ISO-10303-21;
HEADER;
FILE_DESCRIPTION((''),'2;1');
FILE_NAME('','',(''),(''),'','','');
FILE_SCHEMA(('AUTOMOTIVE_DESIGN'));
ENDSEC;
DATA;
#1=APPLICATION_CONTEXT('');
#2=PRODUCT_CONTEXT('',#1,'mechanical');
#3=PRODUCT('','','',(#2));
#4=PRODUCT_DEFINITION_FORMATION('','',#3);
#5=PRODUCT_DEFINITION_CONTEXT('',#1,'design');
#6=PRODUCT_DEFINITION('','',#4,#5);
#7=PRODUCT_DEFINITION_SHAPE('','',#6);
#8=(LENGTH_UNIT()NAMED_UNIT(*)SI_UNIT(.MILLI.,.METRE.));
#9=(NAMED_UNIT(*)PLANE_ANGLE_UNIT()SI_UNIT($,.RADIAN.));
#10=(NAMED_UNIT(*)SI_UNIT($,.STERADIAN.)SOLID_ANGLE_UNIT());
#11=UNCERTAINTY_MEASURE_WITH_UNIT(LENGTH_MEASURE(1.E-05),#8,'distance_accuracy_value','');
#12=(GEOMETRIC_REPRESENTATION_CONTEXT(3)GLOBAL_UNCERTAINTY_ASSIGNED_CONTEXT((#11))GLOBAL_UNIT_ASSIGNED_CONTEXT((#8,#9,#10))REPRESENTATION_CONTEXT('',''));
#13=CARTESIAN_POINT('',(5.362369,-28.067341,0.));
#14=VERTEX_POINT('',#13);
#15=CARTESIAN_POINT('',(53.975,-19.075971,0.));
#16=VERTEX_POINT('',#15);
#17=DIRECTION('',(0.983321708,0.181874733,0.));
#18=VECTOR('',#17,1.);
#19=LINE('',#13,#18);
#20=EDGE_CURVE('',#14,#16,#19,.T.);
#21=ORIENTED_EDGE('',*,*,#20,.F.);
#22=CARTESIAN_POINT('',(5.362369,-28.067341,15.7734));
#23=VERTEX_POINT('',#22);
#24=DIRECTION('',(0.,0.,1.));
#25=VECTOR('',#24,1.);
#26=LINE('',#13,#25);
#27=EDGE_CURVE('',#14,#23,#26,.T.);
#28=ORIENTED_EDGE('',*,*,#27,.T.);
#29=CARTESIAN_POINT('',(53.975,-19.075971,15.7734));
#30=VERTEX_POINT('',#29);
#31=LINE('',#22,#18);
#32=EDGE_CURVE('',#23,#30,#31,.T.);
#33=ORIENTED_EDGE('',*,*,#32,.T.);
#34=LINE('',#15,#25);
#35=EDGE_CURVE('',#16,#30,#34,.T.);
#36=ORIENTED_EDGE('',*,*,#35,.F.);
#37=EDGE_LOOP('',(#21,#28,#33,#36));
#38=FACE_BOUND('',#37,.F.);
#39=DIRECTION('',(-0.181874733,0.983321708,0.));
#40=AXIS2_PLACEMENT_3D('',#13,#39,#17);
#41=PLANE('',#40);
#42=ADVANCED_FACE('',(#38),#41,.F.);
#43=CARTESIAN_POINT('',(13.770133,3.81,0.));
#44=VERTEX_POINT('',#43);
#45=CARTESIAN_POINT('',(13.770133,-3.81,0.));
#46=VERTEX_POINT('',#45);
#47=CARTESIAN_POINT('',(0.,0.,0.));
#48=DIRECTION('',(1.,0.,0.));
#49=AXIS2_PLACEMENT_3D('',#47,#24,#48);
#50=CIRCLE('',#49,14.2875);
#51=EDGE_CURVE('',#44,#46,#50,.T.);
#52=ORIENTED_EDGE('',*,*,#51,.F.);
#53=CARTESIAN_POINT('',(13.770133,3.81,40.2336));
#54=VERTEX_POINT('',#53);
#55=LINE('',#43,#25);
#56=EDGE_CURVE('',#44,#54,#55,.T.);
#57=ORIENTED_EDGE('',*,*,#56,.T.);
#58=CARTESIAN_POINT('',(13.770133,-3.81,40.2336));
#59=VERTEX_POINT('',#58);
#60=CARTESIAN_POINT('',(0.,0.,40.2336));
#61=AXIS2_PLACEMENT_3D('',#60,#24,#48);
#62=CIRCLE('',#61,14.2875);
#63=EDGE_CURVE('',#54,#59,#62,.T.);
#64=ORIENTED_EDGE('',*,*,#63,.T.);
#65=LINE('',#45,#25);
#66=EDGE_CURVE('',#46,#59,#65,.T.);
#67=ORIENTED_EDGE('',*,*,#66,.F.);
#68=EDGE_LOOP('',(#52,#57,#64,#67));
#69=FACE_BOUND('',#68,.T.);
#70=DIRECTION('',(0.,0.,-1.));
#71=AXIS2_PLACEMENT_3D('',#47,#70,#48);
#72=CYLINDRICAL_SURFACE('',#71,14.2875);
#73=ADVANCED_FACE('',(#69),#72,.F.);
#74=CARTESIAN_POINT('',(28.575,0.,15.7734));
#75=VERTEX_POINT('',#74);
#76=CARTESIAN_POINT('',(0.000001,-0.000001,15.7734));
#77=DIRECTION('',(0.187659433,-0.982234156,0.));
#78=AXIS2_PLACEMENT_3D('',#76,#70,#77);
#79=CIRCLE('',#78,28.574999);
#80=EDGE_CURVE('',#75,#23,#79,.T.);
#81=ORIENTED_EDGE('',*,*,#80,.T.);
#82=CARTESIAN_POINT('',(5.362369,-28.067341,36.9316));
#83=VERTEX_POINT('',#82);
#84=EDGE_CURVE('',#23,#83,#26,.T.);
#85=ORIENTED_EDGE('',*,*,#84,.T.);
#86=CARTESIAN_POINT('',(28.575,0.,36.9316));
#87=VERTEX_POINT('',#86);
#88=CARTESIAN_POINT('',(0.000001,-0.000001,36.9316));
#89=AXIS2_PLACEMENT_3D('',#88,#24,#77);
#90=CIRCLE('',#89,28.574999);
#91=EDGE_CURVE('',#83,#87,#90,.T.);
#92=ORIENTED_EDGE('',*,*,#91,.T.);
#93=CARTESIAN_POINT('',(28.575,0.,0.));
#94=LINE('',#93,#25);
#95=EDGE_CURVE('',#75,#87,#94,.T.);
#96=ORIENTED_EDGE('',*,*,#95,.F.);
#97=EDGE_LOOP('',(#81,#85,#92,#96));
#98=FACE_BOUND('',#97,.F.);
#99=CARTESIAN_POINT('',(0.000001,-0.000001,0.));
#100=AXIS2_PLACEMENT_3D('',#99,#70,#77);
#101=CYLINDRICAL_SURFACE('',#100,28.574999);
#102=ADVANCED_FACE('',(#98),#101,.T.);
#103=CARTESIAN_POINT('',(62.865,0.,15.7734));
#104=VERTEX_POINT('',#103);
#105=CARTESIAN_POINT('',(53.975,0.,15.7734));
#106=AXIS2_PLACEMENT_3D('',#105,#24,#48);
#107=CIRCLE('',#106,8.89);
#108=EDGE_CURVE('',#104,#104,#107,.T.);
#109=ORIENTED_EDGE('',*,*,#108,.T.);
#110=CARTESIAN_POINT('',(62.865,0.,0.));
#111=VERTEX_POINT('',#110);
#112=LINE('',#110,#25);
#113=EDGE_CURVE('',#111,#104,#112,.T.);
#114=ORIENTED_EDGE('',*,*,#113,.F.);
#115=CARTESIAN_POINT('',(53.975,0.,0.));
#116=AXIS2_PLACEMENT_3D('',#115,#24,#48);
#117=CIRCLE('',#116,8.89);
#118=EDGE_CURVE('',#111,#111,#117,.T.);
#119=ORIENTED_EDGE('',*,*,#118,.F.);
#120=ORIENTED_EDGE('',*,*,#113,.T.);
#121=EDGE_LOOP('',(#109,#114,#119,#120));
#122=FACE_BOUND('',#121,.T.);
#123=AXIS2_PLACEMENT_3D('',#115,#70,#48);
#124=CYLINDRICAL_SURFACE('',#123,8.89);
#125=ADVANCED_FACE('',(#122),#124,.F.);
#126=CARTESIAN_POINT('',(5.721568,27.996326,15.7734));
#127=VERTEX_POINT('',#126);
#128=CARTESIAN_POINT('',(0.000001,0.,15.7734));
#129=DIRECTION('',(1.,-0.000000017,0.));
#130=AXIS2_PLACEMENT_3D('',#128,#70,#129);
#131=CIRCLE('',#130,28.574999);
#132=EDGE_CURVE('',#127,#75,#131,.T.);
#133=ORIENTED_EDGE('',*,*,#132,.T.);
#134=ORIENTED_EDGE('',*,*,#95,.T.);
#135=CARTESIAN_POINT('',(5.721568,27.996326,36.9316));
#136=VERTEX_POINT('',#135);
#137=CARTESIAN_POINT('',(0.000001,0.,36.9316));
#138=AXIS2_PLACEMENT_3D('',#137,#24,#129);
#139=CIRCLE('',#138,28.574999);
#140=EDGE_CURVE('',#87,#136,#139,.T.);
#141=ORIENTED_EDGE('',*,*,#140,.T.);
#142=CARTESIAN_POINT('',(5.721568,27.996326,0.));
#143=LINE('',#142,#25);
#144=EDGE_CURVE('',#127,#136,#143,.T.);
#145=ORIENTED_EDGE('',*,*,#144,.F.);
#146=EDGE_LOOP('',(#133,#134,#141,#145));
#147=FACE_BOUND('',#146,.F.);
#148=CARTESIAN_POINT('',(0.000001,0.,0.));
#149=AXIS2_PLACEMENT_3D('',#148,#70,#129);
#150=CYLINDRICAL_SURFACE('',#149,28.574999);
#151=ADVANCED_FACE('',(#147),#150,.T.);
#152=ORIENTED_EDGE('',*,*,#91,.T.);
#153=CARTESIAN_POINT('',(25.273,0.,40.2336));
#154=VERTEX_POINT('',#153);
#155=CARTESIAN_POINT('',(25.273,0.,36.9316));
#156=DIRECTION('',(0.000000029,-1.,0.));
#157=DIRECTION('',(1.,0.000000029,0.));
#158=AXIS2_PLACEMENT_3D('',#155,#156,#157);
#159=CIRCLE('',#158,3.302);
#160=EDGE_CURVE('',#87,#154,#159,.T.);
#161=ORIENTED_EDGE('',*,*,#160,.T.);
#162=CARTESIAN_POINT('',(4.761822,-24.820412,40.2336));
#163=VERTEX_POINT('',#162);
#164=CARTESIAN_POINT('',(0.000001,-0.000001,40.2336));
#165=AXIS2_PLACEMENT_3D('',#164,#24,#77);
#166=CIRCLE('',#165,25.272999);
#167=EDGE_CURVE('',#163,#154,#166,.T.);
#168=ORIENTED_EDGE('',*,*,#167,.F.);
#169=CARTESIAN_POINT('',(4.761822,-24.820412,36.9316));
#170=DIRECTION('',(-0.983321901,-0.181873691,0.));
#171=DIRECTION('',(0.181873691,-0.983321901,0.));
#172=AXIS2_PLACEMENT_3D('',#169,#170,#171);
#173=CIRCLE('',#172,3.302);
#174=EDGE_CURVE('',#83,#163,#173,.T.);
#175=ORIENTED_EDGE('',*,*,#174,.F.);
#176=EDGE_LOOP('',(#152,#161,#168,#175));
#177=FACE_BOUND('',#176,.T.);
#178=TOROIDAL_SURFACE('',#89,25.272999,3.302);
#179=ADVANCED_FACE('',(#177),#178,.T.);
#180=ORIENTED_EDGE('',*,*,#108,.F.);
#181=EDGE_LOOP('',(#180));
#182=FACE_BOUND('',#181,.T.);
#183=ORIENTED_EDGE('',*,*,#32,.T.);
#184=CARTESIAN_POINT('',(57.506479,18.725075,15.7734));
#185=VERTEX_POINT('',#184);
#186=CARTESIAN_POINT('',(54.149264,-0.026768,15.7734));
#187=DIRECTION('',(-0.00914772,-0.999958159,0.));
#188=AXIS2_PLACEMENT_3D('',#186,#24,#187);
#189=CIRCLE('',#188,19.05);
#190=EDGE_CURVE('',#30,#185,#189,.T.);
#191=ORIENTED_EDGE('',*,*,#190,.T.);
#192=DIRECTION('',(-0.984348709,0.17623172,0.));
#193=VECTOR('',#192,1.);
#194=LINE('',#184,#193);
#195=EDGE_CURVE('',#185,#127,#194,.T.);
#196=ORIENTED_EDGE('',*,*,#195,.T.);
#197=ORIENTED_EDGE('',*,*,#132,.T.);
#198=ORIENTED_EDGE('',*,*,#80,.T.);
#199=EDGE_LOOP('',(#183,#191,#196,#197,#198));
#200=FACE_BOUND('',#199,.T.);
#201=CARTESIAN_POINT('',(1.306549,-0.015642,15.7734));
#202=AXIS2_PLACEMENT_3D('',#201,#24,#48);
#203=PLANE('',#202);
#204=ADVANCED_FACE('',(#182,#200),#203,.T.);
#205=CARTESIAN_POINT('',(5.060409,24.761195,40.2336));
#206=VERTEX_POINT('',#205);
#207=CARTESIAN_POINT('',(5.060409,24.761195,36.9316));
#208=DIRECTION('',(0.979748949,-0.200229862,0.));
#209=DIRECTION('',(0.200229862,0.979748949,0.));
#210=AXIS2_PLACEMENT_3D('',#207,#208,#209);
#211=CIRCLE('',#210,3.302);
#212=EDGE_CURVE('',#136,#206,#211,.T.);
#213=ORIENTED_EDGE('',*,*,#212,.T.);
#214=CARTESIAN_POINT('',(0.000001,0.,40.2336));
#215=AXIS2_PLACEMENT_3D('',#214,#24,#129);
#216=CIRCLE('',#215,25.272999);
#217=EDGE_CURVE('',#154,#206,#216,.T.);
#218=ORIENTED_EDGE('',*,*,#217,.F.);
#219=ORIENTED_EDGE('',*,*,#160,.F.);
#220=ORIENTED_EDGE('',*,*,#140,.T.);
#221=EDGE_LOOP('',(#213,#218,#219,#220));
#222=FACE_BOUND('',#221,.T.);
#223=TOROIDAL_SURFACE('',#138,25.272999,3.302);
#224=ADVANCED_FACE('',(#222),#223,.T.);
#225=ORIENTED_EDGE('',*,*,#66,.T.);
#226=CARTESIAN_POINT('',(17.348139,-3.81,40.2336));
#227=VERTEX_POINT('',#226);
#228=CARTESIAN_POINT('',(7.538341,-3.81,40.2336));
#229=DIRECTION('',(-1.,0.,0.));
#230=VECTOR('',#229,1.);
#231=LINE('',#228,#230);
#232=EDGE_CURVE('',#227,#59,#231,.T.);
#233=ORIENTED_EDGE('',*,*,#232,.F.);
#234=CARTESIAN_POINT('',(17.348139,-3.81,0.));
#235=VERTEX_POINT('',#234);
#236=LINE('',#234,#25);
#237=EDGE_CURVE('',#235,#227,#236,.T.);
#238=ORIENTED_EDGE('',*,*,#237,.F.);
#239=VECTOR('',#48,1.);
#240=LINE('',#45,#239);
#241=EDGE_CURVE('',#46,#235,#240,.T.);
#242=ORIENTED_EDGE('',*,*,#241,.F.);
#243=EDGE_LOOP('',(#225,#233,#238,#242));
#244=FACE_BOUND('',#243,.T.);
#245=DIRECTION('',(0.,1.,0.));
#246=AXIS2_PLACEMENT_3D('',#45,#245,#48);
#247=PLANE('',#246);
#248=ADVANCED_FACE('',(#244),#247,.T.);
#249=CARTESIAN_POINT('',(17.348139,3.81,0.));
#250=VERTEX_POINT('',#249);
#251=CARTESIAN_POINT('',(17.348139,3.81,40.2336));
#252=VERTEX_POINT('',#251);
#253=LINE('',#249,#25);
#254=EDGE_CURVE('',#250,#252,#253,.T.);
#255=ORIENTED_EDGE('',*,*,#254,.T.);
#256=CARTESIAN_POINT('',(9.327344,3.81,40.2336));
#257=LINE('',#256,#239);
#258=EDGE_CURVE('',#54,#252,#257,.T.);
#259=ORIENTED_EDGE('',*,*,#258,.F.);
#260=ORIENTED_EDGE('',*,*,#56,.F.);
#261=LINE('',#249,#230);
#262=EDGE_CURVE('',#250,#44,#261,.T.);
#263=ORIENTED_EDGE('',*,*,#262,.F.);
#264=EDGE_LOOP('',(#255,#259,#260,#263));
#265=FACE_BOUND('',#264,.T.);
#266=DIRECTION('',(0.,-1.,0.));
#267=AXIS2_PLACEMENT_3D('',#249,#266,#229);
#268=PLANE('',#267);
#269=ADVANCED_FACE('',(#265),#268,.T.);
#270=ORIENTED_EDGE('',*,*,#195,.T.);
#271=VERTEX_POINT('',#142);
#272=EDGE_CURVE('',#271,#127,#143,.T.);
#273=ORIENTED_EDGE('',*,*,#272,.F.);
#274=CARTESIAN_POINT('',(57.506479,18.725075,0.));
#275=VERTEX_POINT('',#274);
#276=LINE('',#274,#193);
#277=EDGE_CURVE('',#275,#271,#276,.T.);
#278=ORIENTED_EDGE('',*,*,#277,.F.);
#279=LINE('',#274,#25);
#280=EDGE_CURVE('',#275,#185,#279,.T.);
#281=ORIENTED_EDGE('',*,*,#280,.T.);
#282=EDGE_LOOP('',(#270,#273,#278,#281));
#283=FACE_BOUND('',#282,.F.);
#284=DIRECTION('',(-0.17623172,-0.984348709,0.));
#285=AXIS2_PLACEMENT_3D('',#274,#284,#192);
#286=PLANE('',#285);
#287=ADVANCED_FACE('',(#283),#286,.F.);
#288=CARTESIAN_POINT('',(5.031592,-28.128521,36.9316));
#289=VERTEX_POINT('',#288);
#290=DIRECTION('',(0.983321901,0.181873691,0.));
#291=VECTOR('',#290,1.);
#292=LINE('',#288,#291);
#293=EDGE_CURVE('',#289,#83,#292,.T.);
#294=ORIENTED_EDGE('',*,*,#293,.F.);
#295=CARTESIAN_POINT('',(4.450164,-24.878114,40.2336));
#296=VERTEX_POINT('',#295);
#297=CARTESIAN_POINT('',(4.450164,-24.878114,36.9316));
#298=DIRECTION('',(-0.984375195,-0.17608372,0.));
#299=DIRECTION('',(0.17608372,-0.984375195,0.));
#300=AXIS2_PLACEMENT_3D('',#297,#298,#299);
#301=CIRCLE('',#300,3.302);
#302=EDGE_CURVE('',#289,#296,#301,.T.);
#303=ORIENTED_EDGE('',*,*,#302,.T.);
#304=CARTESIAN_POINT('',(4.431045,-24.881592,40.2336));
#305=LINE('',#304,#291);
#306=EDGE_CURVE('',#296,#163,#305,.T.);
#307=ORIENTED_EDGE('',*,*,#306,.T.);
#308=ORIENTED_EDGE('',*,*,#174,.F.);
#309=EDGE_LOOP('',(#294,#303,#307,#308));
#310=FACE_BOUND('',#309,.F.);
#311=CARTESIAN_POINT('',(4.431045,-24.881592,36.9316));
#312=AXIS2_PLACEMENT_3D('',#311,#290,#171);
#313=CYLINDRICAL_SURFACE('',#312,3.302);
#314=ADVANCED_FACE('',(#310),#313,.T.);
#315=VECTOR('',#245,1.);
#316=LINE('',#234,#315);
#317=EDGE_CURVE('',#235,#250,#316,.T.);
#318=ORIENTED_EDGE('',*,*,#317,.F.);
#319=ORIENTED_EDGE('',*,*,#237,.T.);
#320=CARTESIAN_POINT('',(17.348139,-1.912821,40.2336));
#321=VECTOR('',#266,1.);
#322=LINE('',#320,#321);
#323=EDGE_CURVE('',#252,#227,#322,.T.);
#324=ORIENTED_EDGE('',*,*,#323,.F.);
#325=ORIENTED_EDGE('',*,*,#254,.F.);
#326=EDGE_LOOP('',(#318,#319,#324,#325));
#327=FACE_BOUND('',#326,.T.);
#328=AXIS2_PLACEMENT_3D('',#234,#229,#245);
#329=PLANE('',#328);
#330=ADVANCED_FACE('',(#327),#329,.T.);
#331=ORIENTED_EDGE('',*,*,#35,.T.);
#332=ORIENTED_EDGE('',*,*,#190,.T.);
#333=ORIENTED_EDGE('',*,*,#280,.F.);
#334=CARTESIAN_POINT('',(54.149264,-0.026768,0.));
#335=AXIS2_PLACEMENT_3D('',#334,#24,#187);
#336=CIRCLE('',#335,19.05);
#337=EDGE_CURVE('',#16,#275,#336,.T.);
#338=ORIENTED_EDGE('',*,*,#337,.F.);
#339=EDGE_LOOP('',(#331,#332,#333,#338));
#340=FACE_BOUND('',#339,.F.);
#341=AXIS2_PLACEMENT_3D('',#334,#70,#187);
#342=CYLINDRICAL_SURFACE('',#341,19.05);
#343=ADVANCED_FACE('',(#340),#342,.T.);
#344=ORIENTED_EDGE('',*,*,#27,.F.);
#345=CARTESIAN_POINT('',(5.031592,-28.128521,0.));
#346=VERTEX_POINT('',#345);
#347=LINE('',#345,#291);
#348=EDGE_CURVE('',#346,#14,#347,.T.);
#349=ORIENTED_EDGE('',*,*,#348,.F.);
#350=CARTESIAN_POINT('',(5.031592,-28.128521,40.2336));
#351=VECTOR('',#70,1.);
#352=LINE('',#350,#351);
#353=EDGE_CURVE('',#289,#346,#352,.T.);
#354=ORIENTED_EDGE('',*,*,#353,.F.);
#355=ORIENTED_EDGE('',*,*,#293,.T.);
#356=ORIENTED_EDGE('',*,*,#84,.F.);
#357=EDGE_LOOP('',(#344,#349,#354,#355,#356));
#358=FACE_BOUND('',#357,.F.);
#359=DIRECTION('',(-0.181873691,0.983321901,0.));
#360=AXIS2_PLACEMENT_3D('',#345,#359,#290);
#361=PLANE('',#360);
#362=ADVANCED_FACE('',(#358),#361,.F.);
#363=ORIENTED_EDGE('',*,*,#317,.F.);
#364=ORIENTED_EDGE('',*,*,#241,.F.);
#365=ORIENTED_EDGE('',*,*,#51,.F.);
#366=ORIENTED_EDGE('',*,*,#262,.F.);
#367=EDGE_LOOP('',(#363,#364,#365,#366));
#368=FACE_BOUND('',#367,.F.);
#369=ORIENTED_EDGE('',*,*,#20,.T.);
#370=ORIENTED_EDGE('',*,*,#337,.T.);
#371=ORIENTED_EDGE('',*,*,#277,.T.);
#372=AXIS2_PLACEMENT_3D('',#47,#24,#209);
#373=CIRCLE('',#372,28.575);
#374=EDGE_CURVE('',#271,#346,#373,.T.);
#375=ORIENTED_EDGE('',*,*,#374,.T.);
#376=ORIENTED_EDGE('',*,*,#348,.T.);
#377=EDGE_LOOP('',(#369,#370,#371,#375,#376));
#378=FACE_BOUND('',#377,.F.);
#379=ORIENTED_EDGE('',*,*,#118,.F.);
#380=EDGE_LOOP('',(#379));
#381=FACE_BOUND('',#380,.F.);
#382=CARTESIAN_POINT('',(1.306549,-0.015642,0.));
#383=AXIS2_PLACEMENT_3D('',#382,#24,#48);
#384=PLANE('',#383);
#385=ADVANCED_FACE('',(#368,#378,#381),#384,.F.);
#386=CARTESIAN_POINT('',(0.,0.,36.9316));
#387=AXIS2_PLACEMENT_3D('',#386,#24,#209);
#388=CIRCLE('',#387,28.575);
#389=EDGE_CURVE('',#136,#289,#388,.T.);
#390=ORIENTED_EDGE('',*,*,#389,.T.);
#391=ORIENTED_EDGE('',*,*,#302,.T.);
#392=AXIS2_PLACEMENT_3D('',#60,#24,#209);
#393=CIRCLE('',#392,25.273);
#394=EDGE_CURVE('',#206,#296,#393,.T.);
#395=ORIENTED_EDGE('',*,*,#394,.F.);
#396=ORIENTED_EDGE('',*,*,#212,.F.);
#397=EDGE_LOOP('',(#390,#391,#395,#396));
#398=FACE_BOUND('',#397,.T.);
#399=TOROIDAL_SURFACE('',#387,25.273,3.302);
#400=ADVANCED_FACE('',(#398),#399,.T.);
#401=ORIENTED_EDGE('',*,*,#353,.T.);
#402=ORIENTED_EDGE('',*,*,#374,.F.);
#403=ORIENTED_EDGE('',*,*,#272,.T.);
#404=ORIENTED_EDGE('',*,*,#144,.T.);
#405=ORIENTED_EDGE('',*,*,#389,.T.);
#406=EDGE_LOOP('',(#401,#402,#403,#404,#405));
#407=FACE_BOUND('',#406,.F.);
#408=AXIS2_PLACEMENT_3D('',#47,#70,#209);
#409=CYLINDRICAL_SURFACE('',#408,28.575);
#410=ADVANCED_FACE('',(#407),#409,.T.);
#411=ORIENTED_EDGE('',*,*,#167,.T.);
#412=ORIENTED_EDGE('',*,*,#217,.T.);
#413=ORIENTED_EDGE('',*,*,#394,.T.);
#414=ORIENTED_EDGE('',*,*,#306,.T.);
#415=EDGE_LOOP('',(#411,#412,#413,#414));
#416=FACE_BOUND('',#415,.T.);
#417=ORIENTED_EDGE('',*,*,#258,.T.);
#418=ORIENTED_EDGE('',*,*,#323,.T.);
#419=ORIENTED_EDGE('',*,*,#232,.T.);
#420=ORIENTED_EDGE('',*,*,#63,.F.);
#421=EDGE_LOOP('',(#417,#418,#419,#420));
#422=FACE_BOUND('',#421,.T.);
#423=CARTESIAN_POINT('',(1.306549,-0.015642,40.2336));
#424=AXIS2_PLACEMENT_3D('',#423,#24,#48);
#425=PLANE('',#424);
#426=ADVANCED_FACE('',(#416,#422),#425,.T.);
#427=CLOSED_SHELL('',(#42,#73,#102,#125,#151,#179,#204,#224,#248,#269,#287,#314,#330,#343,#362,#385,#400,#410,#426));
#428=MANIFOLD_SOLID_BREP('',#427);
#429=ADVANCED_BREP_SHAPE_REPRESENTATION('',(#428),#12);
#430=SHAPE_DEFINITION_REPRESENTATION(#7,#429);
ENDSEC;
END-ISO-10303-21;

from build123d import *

# Parameters (mm, degrees)
F0_R     = 14.2875
F0_R_2   = 8.89
F1_DEPTH = 15.7734
F2_DEPTH = 40.2336
F4_DEPTH = 40.2346
F5_R     = 3.302


with BuildPart() as f1:
    # F0 (on Top) → F1 (new body)
    with BuildSketch(Plane.XY):
        with BuildLine():
            ThreePointArc((5.362369, -28.067341), (22.019995, -18.211273), (28.575, 0))
            ThreePointArc((28.575, 0), (22.13622, 18.06982), (5.721568, 27.996326))
            ThreePointArc((5.721568, 27.996326), (-28.572841, 0.351263), (5.031592, -28.128521))
            Line((5.031592, -28.128521), (5.362369, -28.067341))
        make_face()
        Circle(F0_R, mode=Mode.SUBTRACT)
        with BuildLine():
            ThreePointArc((5.721568, 27.996326), (22.13622, 18.06982), (28.575, 0))
            ThreePointArc((28.575, 0), (22.019995, -18.211273), (5.362369, -28.067341))
            Line((5.362369, -28.067341), (53.975, -19.075971))
            ThreePointArc((53.975, -19.075971), (73.116672, -1.798756), (57.506479, 18.725075))
            Line((57.506479, 18.725075), (5.721568, 27.996326))
        make_face()
        with Locations((53.975, 0)):
            Circle(F0_R_2, mode=Mode.SUBTRACT)
    extrude(amount=F1_DEPTH)

    # F0 (on Top) → F2 (join)
    with BuildSketch(Plane.XY):
        with BuildLine():
            ThreePointArc((5.362369, -28.067341), (22.019995, -18.211273), (28.575, 0))
            ThreePointArc((28.575, 0), (22.13622, 18.06982), (5.721568, 27.996326))
            ThreePointArc((5.721568, 27.996326), (-28.572841, 0.351263), (5.031592, -28.128521))
            Line((5.031592, -28.128521), (5.362369, -28.067341))
        make_face()
        Circle(F0_R, mode=Mode.SUBTRACT)
    extrude(amount=F2_DEPTH)

    # F3 (on face) → F4 (cut, through all)
    with BuildSketch(Plane.XY):
        with BuildLine():
            Line((17.348139, 3.81), (13.770133, 3.81))
            ThreePointArc((13.770133, 3.81), (14.157567, 1.922483), (14.2875, 0))
            ThreePointArc((14.2875, 0), (14.157567, -1.922483), (13.770133, -3.81))
            Line((13.770133, -3.81), (17.348139, -3.81))
            Line((17.348139, -3.81), (17.348139, 3.81))
        make_face()
    extrude(amount=F4_DEPTH, mode=Mode.SUBTRACT)

    # F5
    f5_edges = [f1.edges().sort_by_distance(p)[0] for p in [
        (-5.19707, 28.098418, 40.2336),
    ]]
    fillet(f5_edges, radius=F5_R)


solid = f1.part
